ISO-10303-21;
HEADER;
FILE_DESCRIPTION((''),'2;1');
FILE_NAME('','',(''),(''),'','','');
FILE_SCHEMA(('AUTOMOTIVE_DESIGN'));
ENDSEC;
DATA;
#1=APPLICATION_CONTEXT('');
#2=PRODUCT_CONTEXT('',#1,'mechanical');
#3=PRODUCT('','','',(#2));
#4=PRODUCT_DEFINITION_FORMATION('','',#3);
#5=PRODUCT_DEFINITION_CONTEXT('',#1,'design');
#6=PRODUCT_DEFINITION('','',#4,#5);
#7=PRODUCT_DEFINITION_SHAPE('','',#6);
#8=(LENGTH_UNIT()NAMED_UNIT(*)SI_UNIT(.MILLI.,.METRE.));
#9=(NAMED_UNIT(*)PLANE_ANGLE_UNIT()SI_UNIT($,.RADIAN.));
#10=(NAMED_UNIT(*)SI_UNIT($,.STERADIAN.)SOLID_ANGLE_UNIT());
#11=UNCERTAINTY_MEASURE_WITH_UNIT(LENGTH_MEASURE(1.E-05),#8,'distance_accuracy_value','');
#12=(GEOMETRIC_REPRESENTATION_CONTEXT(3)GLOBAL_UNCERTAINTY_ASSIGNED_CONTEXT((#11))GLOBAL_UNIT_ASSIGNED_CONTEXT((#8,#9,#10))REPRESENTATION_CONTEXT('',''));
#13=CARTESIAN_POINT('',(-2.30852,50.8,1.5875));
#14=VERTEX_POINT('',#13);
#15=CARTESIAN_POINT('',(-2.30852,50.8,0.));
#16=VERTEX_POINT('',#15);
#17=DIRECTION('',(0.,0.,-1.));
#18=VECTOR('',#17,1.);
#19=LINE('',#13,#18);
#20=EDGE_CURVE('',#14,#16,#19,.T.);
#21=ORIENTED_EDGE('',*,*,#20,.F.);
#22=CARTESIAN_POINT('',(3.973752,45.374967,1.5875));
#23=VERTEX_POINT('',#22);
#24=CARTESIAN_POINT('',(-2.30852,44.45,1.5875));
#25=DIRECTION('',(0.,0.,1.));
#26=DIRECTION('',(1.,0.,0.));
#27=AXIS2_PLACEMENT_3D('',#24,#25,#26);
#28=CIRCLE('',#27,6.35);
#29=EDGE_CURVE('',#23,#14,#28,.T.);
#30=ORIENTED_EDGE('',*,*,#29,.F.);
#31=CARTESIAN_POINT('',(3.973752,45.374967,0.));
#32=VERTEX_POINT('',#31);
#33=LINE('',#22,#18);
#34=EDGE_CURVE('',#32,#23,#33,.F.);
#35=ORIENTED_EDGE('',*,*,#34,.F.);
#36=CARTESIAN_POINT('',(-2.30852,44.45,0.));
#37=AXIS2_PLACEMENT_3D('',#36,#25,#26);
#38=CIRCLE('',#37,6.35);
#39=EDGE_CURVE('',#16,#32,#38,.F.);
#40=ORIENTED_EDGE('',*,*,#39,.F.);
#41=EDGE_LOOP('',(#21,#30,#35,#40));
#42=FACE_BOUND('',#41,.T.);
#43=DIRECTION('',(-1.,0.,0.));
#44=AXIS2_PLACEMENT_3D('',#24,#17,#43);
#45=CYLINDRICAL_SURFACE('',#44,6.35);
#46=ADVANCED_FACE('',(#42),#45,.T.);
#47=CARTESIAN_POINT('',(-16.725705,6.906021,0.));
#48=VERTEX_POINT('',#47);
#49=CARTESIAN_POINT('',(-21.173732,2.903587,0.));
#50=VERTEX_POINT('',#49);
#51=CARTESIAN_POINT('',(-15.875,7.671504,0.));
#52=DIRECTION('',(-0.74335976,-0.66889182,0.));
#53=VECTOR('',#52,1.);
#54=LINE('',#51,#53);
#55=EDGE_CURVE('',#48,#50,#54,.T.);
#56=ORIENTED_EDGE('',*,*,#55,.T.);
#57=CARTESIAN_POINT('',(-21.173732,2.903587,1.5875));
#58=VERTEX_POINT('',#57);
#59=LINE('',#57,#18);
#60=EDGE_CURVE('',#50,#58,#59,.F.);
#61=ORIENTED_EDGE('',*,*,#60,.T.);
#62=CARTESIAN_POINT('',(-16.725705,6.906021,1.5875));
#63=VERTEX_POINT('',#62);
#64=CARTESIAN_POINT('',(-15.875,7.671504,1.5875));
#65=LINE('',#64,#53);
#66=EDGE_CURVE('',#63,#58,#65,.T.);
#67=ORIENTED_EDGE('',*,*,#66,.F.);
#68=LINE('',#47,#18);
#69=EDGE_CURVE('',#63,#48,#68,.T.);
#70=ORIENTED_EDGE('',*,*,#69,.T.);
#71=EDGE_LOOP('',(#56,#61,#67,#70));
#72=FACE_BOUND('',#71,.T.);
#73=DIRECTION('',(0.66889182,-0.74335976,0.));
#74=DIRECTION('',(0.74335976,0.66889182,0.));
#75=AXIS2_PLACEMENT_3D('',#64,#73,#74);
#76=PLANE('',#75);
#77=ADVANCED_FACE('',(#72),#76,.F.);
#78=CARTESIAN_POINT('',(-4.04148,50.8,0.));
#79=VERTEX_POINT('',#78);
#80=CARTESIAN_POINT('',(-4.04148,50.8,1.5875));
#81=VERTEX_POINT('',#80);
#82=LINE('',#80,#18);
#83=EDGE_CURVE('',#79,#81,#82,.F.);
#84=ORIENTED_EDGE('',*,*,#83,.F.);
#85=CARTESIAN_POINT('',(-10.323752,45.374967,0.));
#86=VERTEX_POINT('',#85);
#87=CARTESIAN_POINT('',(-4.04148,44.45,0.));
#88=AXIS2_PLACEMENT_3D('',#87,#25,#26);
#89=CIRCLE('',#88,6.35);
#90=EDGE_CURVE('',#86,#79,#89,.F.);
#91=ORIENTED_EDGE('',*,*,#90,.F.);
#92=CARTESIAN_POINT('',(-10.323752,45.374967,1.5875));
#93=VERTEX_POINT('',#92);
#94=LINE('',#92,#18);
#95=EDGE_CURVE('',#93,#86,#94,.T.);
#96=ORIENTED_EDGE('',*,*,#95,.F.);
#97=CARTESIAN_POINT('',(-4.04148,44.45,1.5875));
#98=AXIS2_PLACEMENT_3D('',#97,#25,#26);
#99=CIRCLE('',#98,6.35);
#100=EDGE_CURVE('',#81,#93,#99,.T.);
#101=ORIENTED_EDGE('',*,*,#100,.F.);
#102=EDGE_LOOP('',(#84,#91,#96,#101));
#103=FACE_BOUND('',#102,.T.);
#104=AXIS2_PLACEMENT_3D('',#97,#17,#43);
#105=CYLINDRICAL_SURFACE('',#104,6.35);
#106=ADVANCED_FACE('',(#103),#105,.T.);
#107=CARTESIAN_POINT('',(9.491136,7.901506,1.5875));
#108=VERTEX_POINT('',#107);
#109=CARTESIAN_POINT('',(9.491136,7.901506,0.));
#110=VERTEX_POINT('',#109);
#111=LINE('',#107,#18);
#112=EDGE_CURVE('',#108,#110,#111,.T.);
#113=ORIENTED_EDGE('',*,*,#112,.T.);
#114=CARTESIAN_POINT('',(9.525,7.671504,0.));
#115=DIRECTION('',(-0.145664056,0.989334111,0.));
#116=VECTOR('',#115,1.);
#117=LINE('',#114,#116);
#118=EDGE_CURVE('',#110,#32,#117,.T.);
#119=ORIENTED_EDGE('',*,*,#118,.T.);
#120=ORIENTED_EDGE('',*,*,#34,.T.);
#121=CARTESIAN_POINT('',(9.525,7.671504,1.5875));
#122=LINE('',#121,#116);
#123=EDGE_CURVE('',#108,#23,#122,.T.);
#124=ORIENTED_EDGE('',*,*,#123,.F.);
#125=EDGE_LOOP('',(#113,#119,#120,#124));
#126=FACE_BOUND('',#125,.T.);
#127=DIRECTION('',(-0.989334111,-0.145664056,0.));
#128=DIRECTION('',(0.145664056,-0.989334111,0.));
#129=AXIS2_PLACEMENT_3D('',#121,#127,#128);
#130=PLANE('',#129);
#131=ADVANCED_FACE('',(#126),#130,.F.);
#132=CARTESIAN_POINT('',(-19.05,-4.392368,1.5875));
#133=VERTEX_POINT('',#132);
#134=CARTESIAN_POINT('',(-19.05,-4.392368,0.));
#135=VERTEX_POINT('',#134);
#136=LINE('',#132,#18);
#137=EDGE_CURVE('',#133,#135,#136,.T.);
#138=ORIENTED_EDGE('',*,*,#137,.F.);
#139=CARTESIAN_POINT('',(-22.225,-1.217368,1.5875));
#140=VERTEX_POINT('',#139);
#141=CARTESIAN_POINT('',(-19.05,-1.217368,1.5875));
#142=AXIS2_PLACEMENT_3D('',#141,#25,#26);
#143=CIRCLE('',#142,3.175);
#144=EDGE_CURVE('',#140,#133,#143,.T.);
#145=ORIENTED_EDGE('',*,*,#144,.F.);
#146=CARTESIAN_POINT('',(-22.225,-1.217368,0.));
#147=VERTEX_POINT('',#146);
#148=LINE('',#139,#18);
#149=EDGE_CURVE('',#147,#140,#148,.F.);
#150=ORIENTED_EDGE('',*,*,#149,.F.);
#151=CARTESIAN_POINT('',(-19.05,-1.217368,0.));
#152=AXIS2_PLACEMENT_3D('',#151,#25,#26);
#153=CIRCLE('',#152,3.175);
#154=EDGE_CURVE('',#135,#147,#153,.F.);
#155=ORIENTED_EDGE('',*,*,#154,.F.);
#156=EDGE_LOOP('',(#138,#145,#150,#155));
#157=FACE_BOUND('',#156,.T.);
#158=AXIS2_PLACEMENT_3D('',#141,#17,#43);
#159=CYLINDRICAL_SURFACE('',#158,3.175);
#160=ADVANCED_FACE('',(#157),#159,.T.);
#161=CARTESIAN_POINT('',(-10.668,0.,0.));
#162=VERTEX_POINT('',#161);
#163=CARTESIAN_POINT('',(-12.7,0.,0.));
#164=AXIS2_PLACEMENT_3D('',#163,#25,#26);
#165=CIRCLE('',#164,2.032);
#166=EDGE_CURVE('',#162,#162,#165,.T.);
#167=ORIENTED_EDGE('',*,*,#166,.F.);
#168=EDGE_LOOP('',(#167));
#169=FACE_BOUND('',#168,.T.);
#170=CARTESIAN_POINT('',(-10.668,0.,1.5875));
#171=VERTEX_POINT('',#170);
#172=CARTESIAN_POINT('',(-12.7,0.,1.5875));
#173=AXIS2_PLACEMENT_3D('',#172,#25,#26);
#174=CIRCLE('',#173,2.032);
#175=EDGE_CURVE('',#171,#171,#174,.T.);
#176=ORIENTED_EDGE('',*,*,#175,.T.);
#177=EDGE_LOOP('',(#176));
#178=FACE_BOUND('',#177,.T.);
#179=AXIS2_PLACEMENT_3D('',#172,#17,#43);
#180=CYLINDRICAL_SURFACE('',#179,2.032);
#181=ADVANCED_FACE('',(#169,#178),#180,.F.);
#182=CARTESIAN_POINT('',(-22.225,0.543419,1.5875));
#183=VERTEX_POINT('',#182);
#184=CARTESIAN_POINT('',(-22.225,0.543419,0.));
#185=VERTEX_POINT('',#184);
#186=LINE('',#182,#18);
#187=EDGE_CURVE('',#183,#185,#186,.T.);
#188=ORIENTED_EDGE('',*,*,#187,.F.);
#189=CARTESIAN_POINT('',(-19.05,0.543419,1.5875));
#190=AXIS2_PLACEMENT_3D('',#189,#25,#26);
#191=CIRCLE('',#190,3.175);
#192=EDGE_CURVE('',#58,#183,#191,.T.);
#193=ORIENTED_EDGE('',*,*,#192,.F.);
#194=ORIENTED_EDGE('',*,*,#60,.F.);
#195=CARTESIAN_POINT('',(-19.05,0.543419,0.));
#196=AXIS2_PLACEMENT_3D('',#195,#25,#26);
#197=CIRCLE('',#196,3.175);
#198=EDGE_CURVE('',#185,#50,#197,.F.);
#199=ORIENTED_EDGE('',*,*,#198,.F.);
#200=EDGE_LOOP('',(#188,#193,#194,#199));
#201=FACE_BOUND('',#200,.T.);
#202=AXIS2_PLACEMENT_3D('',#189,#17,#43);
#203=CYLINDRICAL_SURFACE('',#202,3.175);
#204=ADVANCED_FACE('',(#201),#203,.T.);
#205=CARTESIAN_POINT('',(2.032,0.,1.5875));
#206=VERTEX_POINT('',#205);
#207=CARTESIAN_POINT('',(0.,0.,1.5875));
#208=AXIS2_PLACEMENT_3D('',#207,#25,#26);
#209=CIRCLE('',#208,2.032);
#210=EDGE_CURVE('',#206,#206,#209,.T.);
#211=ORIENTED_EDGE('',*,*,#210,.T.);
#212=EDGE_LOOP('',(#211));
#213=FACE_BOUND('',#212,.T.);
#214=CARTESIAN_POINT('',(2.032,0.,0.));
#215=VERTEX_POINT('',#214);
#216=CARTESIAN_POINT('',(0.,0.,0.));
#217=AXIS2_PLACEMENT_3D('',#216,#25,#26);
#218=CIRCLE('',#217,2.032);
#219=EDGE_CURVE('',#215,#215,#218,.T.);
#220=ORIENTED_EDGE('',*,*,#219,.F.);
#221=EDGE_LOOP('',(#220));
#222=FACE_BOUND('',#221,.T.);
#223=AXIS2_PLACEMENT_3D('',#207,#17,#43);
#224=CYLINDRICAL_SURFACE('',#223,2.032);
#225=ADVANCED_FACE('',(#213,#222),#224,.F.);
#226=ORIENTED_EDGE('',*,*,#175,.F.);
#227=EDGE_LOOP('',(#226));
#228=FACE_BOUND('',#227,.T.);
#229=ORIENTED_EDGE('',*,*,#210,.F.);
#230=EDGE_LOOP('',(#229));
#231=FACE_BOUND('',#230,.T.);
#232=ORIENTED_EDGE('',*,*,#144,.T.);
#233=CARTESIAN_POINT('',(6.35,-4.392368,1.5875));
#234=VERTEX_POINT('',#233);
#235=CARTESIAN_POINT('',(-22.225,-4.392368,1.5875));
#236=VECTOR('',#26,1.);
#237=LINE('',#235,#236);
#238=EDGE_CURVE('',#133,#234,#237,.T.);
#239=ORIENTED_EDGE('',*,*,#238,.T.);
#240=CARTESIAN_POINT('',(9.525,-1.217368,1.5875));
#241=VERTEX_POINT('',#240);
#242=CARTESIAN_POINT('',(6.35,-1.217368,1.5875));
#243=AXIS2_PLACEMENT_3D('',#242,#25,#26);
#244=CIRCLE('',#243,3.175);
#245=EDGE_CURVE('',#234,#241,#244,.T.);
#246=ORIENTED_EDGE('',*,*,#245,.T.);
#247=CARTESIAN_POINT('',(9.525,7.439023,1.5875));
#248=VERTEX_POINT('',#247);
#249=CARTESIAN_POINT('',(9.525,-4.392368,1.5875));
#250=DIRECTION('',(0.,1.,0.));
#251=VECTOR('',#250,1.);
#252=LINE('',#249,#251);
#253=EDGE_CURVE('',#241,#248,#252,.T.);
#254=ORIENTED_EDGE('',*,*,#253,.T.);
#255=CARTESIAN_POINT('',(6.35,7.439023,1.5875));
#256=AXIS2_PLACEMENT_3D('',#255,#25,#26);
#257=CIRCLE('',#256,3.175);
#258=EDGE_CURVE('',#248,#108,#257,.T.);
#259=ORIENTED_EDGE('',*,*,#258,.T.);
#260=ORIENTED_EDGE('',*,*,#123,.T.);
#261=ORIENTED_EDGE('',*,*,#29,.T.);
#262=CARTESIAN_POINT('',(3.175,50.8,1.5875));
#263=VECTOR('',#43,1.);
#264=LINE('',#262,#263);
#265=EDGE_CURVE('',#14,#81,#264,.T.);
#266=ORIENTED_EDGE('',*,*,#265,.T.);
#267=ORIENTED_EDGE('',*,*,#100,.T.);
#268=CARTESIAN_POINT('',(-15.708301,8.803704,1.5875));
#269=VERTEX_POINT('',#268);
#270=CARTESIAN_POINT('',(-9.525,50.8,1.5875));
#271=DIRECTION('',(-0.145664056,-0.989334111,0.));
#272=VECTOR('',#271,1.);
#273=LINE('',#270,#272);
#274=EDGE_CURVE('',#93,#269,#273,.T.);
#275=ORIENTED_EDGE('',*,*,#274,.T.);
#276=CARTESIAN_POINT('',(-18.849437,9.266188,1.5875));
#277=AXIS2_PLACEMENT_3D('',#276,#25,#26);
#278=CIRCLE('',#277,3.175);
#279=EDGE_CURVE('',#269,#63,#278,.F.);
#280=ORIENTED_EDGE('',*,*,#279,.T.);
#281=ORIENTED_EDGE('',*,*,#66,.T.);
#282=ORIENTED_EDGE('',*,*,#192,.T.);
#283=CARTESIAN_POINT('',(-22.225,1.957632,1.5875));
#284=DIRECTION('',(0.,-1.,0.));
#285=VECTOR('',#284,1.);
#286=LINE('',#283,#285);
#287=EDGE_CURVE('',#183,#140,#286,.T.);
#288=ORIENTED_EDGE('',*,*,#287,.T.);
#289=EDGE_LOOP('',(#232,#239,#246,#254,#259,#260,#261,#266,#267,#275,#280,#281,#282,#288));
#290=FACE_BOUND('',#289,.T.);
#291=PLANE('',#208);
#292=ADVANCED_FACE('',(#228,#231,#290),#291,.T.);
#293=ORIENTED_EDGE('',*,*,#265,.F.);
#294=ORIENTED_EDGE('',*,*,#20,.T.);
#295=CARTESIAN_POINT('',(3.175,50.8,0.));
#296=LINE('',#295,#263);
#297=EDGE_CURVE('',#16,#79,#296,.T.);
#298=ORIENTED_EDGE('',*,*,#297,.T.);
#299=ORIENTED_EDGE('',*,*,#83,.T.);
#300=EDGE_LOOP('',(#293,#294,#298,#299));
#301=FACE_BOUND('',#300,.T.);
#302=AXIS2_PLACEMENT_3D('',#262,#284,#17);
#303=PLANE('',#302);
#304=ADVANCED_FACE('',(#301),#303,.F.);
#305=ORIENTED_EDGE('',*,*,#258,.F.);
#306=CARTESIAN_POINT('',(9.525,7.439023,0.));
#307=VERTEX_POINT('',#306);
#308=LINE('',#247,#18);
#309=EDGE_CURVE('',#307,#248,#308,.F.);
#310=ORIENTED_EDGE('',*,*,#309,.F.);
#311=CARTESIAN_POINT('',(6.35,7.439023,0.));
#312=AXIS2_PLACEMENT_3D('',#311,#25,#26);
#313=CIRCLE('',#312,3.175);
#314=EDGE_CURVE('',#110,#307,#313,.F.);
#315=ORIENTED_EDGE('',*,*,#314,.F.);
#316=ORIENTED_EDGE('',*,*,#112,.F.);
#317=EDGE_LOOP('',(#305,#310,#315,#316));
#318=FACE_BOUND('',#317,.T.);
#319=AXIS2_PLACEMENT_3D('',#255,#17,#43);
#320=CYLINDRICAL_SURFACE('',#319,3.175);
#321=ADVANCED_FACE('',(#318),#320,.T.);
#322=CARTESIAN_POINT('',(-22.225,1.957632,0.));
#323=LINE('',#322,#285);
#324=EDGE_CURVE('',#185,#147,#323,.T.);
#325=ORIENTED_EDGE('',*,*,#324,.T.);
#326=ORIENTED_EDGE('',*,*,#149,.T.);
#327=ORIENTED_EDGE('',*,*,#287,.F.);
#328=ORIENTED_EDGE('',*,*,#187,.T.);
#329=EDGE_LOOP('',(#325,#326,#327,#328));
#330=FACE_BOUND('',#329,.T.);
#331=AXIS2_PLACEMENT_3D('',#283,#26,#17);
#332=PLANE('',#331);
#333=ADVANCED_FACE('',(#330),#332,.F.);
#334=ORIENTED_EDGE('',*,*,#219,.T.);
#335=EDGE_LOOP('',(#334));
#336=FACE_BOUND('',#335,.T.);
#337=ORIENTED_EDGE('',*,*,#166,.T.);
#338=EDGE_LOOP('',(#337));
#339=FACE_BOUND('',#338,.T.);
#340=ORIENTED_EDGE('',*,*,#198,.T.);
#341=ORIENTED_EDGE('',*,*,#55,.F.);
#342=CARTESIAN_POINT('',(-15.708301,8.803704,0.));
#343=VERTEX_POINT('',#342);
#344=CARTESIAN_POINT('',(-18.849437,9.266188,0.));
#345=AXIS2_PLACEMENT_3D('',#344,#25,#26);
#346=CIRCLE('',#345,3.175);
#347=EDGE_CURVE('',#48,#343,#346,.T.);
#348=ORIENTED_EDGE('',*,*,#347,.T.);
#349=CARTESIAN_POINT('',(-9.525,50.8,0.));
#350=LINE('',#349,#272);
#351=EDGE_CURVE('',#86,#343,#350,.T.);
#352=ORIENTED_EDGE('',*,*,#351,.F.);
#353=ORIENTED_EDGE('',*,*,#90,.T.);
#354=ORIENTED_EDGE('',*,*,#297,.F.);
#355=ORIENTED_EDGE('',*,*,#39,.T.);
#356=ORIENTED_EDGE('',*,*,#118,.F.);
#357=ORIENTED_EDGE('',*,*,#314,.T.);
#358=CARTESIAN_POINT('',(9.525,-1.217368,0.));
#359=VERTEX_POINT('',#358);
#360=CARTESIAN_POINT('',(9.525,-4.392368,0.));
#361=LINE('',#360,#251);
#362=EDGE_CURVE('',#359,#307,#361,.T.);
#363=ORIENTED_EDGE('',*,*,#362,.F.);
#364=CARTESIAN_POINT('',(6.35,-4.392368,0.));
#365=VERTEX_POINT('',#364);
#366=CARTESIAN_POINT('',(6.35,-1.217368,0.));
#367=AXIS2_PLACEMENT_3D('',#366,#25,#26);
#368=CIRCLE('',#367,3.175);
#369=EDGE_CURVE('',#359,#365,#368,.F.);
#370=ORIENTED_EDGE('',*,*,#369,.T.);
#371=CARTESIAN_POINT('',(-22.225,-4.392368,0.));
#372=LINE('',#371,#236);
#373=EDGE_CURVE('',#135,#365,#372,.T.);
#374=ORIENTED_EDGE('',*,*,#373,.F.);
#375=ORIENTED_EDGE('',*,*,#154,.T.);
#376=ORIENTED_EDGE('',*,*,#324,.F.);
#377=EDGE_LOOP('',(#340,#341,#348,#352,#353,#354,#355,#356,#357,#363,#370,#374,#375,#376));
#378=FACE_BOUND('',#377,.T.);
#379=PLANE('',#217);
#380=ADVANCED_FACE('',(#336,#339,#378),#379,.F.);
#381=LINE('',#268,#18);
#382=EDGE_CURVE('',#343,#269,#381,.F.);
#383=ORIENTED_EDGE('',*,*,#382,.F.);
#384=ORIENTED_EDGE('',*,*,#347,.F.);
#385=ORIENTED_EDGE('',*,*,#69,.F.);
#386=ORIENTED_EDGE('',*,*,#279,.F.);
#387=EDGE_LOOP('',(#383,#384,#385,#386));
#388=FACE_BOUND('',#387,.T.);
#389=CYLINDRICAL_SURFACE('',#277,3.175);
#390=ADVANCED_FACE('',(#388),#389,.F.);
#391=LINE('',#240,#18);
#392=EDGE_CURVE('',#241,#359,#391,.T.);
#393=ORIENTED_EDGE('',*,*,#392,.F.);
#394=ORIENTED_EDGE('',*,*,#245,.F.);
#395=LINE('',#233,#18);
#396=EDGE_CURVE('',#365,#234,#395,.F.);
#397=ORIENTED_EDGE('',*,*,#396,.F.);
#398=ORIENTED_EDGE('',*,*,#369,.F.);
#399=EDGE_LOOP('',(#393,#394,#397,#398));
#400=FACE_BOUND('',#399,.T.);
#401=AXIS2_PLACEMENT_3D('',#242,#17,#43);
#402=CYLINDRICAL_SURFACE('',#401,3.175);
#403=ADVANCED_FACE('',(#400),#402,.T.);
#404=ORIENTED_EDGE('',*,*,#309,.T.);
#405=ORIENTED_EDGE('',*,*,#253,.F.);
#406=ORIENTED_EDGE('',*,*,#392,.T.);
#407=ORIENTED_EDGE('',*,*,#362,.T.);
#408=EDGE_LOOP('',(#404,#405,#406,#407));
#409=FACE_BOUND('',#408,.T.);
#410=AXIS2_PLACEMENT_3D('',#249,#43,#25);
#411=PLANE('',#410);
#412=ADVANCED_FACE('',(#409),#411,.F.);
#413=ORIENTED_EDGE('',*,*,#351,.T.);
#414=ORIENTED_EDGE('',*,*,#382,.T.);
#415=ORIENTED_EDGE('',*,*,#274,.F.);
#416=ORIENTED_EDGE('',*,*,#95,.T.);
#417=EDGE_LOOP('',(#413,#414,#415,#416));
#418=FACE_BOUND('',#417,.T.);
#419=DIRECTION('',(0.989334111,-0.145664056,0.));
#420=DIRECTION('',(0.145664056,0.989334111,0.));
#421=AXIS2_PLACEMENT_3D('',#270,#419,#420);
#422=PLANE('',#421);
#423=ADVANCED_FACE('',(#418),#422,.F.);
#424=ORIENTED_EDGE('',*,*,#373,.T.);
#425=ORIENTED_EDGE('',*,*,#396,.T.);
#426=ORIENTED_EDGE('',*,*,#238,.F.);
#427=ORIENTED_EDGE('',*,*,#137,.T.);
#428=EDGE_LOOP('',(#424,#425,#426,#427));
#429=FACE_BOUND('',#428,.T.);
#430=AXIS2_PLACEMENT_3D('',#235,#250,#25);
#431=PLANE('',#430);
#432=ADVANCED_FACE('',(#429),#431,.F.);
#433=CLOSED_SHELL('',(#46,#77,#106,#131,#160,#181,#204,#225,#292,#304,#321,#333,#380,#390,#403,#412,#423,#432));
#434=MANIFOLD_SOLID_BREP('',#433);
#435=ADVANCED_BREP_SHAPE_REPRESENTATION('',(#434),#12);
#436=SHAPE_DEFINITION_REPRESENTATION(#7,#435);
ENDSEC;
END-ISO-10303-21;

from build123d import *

# Parameters (mm, degrees)
SKETCH1_R           = 2.032
BOSS_EXTRUDE1_DEPTH = 1.5875
FILLET1_R           = 6.35
FILLET2_R           = 3.175


with BuildPart() as part:
    # Sketch1 → Boss-Extrude1 (new body)
    with BuildSketch(Plane.XY):
        Polygon((9.525, -4.392368296), (9.525, 7.671504431), (3.175, 50.8), (-9.525, 50.8), (-15.875, 7.671504431), (-22.225, 1.957631704), (-22.225, -4.392368296), align=None)
        Circle(SKETCH1_R, mode=Mode.SUBTRACT)
        with Locations((-12.7, 0)):
            Circle(SKETCH1_R, mode=Mode.SUBTRACT)
    extrude(amount=BOSS_EXTRUDE1_DEPTH)

    # Fillet1
    fillet1_edges = [part.edges().sort_by_distance(p)[0] for p in [
        (-9.525, 50.8, 0.79375),
        (3.175, 50.8, 0.79375),
    ]]
    fillet(fillet1_edges, radius=FILLET1_R)

    # Fillet2
    fillet2_edges = [part.edges().sort_by_distance(p)[0] for p in [
        (-22.225, -4.392368296, 0.79375),
        (-22.225, 1.957631704, 0.79375),
        (-15.875, 7.671504431, 0.79375),
        (9.525, 7.671504431, 0.79375),
        (9.525, -4.392368296, 0.79375),
    ]]
    fillet(fillet2_edges, radius=FILLET2_R)


solid = part.part
